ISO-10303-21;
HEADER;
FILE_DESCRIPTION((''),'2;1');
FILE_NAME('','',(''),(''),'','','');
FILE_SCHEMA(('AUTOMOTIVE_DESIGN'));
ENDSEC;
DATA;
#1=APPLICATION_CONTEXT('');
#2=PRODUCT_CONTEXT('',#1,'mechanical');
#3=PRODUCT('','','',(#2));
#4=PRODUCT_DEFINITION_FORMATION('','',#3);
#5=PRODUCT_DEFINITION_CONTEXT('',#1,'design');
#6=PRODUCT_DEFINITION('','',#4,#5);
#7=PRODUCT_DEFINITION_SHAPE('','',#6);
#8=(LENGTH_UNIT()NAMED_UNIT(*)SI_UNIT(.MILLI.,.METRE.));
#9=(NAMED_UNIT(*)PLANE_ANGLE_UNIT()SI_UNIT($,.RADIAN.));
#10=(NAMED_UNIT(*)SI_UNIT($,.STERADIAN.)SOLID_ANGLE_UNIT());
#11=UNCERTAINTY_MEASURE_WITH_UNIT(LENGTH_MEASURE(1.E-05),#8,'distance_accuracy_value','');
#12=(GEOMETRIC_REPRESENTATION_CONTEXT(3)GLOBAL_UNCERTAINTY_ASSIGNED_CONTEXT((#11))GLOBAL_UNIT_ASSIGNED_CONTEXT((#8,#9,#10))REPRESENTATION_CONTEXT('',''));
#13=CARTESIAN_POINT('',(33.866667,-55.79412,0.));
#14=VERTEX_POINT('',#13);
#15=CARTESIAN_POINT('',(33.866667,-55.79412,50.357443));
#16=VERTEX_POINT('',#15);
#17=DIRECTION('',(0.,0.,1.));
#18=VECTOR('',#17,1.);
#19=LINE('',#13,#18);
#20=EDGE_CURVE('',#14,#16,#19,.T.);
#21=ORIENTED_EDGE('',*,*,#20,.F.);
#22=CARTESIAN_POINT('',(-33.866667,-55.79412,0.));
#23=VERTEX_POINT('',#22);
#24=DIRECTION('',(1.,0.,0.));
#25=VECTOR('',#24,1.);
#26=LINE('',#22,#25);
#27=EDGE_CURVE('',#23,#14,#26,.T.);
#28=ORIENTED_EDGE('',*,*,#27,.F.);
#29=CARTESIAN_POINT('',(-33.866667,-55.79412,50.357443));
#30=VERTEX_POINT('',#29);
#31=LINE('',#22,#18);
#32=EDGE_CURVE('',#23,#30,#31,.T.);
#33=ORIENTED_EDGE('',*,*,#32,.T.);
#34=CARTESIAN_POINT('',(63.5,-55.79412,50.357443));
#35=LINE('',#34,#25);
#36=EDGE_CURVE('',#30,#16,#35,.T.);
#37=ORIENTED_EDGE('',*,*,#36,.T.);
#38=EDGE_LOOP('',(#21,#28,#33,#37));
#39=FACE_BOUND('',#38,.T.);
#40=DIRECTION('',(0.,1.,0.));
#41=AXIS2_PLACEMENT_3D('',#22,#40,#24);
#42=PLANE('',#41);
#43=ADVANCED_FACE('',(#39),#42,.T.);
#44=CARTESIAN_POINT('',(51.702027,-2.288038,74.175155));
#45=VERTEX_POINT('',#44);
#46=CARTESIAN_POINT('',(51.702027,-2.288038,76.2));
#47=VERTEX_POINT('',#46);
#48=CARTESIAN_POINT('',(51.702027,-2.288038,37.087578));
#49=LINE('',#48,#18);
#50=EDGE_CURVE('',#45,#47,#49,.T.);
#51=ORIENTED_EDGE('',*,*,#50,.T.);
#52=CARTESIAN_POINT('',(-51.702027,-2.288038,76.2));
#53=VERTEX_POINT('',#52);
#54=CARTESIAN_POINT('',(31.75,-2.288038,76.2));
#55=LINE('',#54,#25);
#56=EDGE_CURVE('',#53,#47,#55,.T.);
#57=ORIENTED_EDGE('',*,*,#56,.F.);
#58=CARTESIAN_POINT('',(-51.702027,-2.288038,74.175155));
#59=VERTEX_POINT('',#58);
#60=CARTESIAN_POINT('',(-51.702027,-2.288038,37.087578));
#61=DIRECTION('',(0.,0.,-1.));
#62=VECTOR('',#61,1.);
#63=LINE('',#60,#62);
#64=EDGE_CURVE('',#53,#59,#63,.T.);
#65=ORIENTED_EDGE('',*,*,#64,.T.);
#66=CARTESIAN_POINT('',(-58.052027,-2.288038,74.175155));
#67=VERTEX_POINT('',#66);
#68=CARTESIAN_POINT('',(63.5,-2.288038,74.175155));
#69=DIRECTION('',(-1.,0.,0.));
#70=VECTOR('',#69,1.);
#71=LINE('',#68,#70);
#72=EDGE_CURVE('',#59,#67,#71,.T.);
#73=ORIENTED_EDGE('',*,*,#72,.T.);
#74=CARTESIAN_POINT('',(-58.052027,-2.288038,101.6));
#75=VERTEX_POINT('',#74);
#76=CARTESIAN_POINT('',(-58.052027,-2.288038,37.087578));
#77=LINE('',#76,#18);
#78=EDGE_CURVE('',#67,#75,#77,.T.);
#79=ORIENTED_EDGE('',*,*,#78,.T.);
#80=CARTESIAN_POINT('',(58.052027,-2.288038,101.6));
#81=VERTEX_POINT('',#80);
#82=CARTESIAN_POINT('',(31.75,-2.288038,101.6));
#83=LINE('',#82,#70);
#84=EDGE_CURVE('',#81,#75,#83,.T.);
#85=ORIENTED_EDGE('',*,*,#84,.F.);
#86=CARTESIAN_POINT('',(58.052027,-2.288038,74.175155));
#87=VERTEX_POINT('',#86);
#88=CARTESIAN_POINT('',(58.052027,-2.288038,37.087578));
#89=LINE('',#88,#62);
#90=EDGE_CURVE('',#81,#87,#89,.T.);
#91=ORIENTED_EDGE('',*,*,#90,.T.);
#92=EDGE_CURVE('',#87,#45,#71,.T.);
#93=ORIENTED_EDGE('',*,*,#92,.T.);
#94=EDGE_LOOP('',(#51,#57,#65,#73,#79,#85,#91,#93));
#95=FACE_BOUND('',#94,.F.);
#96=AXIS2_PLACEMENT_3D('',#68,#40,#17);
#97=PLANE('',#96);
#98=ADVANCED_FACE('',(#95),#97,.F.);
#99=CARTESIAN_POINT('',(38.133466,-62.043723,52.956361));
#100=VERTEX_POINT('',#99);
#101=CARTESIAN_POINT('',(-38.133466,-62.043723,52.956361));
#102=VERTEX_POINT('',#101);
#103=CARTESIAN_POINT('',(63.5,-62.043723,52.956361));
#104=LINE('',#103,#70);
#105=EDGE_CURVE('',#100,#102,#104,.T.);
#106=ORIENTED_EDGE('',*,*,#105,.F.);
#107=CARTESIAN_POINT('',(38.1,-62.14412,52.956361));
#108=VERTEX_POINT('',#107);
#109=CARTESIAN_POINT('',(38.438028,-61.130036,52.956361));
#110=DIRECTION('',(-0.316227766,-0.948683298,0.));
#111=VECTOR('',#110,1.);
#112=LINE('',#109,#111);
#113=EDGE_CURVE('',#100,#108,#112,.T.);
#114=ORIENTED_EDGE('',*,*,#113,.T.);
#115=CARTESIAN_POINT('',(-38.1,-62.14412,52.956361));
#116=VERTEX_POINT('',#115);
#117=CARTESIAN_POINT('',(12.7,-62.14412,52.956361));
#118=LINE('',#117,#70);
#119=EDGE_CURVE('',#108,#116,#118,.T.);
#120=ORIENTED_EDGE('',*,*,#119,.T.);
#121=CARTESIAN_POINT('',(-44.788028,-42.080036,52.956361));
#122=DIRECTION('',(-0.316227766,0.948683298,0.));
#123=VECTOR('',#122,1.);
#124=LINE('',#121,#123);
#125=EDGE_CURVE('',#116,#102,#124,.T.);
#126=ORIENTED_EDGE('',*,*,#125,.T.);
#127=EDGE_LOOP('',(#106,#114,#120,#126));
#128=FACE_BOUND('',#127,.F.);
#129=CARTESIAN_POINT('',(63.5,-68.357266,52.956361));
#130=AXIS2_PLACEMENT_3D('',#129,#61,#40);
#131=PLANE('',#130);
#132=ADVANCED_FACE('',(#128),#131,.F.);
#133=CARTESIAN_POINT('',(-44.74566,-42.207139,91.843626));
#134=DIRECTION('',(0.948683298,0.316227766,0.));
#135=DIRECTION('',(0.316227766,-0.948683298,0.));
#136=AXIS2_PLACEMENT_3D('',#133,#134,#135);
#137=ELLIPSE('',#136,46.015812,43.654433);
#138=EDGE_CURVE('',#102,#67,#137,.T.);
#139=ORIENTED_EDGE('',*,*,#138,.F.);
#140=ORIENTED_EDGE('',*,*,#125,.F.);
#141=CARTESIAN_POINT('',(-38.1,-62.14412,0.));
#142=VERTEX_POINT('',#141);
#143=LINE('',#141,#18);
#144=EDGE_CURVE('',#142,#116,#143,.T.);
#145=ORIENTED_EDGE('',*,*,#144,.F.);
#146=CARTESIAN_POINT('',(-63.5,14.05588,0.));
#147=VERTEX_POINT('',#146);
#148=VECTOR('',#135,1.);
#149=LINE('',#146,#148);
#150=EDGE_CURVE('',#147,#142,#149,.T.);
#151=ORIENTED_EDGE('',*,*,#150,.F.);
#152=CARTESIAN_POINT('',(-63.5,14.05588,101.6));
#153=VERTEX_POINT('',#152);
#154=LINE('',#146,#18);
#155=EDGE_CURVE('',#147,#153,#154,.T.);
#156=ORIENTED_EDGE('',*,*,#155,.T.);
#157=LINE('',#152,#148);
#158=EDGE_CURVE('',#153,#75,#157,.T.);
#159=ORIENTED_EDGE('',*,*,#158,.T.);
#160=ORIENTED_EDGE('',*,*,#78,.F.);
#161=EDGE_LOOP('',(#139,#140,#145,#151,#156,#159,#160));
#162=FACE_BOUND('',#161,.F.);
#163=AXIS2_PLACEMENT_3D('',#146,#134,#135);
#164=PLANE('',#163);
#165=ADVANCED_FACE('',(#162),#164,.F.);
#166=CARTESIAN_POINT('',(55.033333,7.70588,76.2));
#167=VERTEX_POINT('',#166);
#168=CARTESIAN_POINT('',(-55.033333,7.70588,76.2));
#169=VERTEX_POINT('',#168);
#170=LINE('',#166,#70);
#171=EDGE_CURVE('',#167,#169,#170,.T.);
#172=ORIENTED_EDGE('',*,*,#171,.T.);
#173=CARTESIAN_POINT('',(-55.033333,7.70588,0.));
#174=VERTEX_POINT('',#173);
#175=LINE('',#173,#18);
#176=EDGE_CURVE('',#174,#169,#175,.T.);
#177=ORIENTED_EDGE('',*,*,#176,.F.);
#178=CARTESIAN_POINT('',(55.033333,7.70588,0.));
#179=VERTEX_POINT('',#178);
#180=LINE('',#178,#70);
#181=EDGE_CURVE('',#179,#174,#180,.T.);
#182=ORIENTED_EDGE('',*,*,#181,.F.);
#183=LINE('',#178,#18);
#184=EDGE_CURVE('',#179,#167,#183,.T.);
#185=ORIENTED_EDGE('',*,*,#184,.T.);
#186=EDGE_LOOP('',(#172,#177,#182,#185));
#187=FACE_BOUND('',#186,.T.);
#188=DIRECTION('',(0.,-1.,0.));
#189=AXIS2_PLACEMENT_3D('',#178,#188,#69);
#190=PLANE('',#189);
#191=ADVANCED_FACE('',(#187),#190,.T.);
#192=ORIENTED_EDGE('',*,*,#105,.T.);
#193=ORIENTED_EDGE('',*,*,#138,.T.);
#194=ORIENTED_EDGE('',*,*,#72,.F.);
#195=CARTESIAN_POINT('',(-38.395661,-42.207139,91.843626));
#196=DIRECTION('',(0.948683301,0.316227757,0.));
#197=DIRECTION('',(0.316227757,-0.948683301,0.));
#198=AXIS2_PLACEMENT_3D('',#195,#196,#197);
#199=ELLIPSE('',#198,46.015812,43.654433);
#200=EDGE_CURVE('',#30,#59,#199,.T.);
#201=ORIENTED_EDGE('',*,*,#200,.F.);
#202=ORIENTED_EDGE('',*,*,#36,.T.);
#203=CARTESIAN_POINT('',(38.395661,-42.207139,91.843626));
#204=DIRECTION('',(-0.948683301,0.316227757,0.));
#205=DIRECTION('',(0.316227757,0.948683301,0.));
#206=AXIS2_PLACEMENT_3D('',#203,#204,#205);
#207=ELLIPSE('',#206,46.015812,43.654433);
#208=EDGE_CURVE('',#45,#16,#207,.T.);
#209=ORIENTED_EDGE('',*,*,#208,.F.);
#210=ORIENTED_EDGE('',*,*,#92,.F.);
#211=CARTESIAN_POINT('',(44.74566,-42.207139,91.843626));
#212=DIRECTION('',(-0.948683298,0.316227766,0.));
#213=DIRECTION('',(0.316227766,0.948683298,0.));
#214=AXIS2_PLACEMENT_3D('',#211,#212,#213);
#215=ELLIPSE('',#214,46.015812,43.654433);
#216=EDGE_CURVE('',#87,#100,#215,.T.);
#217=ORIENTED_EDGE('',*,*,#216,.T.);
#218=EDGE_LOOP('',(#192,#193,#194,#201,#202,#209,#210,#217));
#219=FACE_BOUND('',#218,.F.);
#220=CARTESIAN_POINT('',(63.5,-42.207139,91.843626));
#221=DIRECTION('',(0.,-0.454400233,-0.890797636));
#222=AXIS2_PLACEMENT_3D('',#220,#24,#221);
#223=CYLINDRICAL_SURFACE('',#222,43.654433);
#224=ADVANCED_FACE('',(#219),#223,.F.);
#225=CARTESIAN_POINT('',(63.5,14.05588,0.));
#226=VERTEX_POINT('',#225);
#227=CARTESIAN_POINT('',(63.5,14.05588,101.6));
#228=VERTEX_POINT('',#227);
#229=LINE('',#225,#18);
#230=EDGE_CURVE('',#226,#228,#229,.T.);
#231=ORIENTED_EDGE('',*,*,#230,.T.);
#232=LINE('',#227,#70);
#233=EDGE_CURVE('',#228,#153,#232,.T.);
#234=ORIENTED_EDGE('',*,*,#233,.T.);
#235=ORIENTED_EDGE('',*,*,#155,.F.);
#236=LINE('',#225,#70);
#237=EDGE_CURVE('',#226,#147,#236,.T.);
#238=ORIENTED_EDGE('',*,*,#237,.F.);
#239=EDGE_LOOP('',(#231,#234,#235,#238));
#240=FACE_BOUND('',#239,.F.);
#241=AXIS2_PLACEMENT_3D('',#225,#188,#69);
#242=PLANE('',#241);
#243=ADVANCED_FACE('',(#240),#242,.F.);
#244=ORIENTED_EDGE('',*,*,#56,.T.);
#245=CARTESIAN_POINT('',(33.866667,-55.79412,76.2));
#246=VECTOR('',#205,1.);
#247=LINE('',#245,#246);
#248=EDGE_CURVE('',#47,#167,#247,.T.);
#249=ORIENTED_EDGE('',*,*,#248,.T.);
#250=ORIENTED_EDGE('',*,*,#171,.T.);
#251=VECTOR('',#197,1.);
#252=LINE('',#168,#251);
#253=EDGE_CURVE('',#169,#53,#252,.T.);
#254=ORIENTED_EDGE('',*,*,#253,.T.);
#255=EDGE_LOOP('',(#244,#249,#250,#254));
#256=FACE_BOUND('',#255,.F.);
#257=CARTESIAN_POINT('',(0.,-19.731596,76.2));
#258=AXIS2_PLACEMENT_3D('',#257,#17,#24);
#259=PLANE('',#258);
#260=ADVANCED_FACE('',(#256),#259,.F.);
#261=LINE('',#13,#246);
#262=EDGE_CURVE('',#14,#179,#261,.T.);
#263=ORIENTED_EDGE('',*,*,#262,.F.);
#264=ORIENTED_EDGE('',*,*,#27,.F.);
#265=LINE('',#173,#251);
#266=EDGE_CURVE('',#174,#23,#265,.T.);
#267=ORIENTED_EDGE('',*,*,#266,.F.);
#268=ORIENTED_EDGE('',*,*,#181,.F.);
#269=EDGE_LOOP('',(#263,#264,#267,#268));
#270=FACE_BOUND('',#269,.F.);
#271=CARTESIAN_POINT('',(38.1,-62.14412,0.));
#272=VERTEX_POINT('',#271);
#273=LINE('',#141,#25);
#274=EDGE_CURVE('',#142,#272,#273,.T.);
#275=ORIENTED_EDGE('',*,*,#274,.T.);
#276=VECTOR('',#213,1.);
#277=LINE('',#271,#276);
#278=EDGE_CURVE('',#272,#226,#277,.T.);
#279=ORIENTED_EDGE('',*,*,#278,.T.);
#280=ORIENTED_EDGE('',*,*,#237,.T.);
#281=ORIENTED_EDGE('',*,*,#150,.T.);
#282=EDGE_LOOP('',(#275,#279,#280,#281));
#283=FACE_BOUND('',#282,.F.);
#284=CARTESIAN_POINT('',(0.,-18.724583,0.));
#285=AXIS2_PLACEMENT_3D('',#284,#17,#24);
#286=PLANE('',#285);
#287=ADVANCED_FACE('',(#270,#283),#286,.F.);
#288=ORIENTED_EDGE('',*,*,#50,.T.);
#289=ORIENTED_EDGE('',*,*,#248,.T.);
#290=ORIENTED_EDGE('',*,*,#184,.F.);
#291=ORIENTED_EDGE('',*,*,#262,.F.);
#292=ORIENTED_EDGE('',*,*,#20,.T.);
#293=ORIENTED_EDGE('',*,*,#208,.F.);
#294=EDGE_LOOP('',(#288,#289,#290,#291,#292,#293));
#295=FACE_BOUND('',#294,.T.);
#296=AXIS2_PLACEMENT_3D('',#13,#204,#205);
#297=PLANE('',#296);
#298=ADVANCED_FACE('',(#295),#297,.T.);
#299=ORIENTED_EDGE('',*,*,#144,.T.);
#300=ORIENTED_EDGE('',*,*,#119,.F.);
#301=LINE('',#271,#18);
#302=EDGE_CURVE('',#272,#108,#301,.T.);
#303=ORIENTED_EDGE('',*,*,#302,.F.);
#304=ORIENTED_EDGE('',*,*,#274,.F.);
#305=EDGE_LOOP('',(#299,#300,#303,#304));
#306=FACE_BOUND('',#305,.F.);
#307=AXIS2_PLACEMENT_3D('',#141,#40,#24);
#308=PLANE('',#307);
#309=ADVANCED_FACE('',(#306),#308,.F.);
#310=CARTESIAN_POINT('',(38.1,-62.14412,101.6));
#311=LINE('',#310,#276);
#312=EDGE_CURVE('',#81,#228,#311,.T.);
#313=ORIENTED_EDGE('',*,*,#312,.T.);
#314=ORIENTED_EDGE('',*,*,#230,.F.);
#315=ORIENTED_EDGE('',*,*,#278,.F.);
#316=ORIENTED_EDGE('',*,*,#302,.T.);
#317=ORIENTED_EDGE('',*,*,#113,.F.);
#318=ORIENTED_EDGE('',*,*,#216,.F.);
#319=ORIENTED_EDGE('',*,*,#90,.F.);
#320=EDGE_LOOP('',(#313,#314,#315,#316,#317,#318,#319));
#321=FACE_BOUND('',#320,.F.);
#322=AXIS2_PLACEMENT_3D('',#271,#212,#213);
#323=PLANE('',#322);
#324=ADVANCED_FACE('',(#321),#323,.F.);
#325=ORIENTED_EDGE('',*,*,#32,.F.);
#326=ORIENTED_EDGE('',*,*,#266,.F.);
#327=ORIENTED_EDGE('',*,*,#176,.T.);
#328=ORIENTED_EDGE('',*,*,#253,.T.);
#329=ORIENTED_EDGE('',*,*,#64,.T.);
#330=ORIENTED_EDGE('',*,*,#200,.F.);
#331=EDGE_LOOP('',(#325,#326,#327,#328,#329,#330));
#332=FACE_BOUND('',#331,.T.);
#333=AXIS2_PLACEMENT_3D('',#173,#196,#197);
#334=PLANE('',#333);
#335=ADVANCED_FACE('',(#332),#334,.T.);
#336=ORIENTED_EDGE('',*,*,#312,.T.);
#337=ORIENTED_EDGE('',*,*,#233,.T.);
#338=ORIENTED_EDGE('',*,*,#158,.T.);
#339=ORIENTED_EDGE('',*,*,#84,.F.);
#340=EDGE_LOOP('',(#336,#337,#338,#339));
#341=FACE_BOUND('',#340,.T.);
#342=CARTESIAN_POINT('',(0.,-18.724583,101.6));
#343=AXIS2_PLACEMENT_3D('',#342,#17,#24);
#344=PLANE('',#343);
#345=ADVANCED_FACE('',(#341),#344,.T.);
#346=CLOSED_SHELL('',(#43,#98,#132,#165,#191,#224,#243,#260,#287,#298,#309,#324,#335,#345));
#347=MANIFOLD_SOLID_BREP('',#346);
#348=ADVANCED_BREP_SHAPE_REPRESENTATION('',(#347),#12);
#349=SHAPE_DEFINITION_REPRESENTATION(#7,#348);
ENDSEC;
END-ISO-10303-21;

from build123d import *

# Parameters (mm, degrees)
F1_DEPTH = 101.6
F4_DEPTH = 127
F6_DEPTH = 76.2


with BuildPart() as f1:
    # F0 (on Top) → F1 (new body)
    with BuildSketch(Plane.XY):
        Polygon((-63.5, 14.05588), (-38.1, -62.14412), (38.1, -62.14412), (63.5, 14.05588), align=None)
    extrude(amount=F1_DEPTH)

    # F3 (on offset) → F4 (cut)
    with BuildSketch(Plane.YZ.offset(63.5)):
        with BuildLine():
            Line((-2.288038, 110.407464), (-33.979441, 110.407464))
            ThreePointArc((-33.979441, 110.407464), (-46.417855, 109.443983), (-57.741659, 104.208156))
            Line((-57.741659, 104.208156), (-68.357266, 104.208156))
            Line((-68.357266, 104.208156), (-68.357266, 91.704749))
            Line((-68.357266, 91.704749), (-68.357266, 52.956361))
            Line((-68.357266, 52.956361), (-62.043723, 52.956361))
            ThreePointArc((-62.043723, 52.956361), (-27.599395, 50.705769), (-2.288038, 74.175155))
            Line((-2.288038, 74.175155), (-2.288038, 110.407464))
        make_face()
    extrude(amount=-F4_DEPTH, mode=Mode.SUBTRACT)

    # F5 (on Top) → F6 (cut)
    with BuildSketch(Plane.XY):
        Polygon((55.033333, 7.70588), (-55.033333, 7.70588), (-33.866667, -55.79412), (33.866667, -55.79412), align=None)
    extrude(amount=F6_DEPTH, mode=Mode.SUBTRACT)


solid = f1.part
